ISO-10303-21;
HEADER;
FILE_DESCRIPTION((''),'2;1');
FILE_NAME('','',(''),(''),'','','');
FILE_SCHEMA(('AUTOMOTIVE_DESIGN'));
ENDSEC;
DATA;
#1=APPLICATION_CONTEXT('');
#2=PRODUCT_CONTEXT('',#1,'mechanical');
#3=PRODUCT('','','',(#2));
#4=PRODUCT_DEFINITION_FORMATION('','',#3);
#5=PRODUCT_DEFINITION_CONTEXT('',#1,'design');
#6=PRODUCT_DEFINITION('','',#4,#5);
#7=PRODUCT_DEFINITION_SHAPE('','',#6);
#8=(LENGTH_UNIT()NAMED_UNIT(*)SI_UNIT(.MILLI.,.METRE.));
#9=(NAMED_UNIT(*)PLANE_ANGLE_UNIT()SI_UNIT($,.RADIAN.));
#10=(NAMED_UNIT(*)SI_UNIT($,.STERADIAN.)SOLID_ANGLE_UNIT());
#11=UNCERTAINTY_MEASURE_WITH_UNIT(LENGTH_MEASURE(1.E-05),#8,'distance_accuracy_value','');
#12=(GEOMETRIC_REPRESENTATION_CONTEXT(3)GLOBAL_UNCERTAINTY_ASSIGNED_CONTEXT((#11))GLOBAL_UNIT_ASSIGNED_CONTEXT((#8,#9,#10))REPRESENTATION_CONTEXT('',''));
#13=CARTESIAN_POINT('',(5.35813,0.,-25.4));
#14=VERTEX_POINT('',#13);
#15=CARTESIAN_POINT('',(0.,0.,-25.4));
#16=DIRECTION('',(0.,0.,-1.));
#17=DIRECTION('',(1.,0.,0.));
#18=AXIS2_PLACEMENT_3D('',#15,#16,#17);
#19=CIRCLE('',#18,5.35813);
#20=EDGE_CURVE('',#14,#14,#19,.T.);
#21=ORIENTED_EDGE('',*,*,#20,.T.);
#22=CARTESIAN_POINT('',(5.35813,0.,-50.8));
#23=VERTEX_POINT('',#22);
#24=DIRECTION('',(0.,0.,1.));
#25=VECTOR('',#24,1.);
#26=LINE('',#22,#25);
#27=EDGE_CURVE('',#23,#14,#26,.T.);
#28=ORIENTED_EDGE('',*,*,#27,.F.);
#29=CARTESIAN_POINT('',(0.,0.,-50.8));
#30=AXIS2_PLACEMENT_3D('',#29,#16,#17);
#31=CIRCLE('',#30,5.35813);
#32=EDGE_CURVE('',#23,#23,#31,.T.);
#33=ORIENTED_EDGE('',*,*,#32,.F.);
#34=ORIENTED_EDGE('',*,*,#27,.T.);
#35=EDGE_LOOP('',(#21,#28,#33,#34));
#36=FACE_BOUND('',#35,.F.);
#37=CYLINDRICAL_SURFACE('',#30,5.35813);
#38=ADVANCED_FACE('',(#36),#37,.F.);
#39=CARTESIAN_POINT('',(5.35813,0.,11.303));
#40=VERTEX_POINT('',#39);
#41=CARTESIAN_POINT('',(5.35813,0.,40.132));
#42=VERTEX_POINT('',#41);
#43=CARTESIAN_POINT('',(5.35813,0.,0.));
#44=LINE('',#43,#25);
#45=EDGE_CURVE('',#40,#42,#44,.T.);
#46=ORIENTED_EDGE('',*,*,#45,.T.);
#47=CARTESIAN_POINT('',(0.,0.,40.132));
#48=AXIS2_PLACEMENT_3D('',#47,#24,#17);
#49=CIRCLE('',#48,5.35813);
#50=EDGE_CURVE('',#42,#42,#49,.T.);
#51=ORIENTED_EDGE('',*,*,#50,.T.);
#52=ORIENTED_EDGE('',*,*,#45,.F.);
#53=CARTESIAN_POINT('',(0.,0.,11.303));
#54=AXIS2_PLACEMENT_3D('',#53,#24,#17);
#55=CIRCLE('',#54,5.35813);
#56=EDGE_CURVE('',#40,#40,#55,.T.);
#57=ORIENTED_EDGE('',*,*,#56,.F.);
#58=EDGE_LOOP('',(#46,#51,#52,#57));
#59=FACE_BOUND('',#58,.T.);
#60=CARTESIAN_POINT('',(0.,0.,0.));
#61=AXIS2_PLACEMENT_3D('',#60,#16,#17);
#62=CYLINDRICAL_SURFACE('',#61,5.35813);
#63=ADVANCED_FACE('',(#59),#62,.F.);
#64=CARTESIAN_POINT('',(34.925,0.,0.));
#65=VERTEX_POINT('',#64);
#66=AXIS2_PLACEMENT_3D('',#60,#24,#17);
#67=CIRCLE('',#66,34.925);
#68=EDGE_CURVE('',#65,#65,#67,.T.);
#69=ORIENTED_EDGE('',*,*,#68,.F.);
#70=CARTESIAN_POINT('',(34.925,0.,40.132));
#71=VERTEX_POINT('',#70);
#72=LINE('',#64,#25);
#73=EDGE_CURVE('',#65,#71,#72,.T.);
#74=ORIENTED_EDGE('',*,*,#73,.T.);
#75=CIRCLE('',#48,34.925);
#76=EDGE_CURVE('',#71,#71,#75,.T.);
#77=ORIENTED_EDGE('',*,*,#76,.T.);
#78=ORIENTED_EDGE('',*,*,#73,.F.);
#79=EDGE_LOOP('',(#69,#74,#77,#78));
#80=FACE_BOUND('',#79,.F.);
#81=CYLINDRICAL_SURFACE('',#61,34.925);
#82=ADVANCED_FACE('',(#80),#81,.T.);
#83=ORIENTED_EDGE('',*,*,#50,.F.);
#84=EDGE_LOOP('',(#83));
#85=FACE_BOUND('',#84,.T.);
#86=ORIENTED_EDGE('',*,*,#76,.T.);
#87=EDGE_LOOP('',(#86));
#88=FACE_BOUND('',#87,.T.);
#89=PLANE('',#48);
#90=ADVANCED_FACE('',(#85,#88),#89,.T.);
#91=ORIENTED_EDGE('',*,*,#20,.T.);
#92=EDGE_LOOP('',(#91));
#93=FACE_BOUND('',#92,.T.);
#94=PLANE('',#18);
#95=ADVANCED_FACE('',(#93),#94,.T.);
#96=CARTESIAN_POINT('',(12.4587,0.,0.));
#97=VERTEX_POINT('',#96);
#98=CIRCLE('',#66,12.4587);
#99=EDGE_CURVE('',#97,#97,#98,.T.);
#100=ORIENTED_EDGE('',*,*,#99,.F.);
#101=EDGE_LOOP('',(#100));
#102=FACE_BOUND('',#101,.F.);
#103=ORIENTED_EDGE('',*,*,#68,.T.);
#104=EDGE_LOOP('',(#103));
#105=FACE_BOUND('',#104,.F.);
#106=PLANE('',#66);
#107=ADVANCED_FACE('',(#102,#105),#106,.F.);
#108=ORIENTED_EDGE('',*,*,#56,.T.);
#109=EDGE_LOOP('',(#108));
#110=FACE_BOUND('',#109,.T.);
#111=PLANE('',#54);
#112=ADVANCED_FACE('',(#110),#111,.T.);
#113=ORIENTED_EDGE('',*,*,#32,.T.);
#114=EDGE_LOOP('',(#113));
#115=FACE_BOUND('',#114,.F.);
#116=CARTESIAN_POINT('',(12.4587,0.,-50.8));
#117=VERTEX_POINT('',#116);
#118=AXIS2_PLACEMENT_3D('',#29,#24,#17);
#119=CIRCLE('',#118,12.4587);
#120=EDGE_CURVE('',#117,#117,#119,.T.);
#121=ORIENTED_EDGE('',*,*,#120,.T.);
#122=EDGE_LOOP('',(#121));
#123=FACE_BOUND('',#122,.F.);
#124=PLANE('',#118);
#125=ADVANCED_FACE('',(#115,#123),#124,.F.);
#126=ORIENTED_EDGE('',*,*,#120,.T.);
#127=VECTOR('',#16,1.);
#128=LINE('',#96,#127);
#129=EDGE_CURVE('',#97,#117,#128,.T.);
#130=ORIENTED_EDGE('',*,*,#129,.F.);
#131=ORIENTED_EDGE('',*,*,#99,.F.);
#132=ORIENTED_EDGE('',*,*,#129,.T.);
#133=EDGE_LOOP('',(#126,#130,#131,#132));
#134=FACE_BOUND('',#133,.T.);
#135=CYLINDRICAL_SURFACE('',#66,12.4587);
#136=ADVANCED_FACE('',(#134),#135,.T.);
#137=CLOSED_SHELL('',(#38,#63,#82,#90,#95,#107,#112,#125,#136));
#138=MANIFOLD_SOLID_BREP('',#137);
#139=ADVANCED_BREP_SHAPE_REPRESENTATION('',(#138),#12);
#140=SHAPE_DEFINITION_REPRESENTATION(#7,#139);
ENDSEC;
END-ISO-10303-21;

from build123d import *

# Parameters (mm, degrees)
F0_R     = 34.925
F0_R_2   = 5.35813
F1_DEPTH = 40.132
F2_DEPTH = 9.525
F4_R     = 12.4587
F5_DEPTH = 50.8
F6_R     = 5.35813
F7_DEPTH = 25.4
F8_R     = 5.35813
F9_DEPTH = 11.303


with BuildPart() as f1:
    # F0 (on Top) → F1 (new body)
    with BuildSketch(Plane.XY):
        Circle(F0_R)
        Circle(F0_R_2, mode=Mode.SUBTRACT)
    extrude(amount=F1_DEPTH)

    # F0 (on Top) → F2 (join)
    with BuildSketch(Plane.XY):
        Circle(F0_R_2)
    extrude(amount=F2_DEPTH)

    # F4 (on face) → F5 (join)
    with BuildSketch(Plane.XY):
        Circle(F4_R)
    extrude(amount=-F5_DEPTH)

    # F6 (on face) → F7 (cut)
    with BuildSketch(Plane(origin=(0, 0, -50.8), x_dir=(1, 0, 0), z_dir=(0, 0, -1))):
        Circle(F6_R)
    extrude(amount=-F7_DEPTH, mode=Mode.SUBTRACT)

    # F8 (on Top) → F9 (join)
    with BuildSketch(Plane.XY):
        Circle(F8_R)
    extrude(amount=F9_DEPTH)


solid = f1.part
